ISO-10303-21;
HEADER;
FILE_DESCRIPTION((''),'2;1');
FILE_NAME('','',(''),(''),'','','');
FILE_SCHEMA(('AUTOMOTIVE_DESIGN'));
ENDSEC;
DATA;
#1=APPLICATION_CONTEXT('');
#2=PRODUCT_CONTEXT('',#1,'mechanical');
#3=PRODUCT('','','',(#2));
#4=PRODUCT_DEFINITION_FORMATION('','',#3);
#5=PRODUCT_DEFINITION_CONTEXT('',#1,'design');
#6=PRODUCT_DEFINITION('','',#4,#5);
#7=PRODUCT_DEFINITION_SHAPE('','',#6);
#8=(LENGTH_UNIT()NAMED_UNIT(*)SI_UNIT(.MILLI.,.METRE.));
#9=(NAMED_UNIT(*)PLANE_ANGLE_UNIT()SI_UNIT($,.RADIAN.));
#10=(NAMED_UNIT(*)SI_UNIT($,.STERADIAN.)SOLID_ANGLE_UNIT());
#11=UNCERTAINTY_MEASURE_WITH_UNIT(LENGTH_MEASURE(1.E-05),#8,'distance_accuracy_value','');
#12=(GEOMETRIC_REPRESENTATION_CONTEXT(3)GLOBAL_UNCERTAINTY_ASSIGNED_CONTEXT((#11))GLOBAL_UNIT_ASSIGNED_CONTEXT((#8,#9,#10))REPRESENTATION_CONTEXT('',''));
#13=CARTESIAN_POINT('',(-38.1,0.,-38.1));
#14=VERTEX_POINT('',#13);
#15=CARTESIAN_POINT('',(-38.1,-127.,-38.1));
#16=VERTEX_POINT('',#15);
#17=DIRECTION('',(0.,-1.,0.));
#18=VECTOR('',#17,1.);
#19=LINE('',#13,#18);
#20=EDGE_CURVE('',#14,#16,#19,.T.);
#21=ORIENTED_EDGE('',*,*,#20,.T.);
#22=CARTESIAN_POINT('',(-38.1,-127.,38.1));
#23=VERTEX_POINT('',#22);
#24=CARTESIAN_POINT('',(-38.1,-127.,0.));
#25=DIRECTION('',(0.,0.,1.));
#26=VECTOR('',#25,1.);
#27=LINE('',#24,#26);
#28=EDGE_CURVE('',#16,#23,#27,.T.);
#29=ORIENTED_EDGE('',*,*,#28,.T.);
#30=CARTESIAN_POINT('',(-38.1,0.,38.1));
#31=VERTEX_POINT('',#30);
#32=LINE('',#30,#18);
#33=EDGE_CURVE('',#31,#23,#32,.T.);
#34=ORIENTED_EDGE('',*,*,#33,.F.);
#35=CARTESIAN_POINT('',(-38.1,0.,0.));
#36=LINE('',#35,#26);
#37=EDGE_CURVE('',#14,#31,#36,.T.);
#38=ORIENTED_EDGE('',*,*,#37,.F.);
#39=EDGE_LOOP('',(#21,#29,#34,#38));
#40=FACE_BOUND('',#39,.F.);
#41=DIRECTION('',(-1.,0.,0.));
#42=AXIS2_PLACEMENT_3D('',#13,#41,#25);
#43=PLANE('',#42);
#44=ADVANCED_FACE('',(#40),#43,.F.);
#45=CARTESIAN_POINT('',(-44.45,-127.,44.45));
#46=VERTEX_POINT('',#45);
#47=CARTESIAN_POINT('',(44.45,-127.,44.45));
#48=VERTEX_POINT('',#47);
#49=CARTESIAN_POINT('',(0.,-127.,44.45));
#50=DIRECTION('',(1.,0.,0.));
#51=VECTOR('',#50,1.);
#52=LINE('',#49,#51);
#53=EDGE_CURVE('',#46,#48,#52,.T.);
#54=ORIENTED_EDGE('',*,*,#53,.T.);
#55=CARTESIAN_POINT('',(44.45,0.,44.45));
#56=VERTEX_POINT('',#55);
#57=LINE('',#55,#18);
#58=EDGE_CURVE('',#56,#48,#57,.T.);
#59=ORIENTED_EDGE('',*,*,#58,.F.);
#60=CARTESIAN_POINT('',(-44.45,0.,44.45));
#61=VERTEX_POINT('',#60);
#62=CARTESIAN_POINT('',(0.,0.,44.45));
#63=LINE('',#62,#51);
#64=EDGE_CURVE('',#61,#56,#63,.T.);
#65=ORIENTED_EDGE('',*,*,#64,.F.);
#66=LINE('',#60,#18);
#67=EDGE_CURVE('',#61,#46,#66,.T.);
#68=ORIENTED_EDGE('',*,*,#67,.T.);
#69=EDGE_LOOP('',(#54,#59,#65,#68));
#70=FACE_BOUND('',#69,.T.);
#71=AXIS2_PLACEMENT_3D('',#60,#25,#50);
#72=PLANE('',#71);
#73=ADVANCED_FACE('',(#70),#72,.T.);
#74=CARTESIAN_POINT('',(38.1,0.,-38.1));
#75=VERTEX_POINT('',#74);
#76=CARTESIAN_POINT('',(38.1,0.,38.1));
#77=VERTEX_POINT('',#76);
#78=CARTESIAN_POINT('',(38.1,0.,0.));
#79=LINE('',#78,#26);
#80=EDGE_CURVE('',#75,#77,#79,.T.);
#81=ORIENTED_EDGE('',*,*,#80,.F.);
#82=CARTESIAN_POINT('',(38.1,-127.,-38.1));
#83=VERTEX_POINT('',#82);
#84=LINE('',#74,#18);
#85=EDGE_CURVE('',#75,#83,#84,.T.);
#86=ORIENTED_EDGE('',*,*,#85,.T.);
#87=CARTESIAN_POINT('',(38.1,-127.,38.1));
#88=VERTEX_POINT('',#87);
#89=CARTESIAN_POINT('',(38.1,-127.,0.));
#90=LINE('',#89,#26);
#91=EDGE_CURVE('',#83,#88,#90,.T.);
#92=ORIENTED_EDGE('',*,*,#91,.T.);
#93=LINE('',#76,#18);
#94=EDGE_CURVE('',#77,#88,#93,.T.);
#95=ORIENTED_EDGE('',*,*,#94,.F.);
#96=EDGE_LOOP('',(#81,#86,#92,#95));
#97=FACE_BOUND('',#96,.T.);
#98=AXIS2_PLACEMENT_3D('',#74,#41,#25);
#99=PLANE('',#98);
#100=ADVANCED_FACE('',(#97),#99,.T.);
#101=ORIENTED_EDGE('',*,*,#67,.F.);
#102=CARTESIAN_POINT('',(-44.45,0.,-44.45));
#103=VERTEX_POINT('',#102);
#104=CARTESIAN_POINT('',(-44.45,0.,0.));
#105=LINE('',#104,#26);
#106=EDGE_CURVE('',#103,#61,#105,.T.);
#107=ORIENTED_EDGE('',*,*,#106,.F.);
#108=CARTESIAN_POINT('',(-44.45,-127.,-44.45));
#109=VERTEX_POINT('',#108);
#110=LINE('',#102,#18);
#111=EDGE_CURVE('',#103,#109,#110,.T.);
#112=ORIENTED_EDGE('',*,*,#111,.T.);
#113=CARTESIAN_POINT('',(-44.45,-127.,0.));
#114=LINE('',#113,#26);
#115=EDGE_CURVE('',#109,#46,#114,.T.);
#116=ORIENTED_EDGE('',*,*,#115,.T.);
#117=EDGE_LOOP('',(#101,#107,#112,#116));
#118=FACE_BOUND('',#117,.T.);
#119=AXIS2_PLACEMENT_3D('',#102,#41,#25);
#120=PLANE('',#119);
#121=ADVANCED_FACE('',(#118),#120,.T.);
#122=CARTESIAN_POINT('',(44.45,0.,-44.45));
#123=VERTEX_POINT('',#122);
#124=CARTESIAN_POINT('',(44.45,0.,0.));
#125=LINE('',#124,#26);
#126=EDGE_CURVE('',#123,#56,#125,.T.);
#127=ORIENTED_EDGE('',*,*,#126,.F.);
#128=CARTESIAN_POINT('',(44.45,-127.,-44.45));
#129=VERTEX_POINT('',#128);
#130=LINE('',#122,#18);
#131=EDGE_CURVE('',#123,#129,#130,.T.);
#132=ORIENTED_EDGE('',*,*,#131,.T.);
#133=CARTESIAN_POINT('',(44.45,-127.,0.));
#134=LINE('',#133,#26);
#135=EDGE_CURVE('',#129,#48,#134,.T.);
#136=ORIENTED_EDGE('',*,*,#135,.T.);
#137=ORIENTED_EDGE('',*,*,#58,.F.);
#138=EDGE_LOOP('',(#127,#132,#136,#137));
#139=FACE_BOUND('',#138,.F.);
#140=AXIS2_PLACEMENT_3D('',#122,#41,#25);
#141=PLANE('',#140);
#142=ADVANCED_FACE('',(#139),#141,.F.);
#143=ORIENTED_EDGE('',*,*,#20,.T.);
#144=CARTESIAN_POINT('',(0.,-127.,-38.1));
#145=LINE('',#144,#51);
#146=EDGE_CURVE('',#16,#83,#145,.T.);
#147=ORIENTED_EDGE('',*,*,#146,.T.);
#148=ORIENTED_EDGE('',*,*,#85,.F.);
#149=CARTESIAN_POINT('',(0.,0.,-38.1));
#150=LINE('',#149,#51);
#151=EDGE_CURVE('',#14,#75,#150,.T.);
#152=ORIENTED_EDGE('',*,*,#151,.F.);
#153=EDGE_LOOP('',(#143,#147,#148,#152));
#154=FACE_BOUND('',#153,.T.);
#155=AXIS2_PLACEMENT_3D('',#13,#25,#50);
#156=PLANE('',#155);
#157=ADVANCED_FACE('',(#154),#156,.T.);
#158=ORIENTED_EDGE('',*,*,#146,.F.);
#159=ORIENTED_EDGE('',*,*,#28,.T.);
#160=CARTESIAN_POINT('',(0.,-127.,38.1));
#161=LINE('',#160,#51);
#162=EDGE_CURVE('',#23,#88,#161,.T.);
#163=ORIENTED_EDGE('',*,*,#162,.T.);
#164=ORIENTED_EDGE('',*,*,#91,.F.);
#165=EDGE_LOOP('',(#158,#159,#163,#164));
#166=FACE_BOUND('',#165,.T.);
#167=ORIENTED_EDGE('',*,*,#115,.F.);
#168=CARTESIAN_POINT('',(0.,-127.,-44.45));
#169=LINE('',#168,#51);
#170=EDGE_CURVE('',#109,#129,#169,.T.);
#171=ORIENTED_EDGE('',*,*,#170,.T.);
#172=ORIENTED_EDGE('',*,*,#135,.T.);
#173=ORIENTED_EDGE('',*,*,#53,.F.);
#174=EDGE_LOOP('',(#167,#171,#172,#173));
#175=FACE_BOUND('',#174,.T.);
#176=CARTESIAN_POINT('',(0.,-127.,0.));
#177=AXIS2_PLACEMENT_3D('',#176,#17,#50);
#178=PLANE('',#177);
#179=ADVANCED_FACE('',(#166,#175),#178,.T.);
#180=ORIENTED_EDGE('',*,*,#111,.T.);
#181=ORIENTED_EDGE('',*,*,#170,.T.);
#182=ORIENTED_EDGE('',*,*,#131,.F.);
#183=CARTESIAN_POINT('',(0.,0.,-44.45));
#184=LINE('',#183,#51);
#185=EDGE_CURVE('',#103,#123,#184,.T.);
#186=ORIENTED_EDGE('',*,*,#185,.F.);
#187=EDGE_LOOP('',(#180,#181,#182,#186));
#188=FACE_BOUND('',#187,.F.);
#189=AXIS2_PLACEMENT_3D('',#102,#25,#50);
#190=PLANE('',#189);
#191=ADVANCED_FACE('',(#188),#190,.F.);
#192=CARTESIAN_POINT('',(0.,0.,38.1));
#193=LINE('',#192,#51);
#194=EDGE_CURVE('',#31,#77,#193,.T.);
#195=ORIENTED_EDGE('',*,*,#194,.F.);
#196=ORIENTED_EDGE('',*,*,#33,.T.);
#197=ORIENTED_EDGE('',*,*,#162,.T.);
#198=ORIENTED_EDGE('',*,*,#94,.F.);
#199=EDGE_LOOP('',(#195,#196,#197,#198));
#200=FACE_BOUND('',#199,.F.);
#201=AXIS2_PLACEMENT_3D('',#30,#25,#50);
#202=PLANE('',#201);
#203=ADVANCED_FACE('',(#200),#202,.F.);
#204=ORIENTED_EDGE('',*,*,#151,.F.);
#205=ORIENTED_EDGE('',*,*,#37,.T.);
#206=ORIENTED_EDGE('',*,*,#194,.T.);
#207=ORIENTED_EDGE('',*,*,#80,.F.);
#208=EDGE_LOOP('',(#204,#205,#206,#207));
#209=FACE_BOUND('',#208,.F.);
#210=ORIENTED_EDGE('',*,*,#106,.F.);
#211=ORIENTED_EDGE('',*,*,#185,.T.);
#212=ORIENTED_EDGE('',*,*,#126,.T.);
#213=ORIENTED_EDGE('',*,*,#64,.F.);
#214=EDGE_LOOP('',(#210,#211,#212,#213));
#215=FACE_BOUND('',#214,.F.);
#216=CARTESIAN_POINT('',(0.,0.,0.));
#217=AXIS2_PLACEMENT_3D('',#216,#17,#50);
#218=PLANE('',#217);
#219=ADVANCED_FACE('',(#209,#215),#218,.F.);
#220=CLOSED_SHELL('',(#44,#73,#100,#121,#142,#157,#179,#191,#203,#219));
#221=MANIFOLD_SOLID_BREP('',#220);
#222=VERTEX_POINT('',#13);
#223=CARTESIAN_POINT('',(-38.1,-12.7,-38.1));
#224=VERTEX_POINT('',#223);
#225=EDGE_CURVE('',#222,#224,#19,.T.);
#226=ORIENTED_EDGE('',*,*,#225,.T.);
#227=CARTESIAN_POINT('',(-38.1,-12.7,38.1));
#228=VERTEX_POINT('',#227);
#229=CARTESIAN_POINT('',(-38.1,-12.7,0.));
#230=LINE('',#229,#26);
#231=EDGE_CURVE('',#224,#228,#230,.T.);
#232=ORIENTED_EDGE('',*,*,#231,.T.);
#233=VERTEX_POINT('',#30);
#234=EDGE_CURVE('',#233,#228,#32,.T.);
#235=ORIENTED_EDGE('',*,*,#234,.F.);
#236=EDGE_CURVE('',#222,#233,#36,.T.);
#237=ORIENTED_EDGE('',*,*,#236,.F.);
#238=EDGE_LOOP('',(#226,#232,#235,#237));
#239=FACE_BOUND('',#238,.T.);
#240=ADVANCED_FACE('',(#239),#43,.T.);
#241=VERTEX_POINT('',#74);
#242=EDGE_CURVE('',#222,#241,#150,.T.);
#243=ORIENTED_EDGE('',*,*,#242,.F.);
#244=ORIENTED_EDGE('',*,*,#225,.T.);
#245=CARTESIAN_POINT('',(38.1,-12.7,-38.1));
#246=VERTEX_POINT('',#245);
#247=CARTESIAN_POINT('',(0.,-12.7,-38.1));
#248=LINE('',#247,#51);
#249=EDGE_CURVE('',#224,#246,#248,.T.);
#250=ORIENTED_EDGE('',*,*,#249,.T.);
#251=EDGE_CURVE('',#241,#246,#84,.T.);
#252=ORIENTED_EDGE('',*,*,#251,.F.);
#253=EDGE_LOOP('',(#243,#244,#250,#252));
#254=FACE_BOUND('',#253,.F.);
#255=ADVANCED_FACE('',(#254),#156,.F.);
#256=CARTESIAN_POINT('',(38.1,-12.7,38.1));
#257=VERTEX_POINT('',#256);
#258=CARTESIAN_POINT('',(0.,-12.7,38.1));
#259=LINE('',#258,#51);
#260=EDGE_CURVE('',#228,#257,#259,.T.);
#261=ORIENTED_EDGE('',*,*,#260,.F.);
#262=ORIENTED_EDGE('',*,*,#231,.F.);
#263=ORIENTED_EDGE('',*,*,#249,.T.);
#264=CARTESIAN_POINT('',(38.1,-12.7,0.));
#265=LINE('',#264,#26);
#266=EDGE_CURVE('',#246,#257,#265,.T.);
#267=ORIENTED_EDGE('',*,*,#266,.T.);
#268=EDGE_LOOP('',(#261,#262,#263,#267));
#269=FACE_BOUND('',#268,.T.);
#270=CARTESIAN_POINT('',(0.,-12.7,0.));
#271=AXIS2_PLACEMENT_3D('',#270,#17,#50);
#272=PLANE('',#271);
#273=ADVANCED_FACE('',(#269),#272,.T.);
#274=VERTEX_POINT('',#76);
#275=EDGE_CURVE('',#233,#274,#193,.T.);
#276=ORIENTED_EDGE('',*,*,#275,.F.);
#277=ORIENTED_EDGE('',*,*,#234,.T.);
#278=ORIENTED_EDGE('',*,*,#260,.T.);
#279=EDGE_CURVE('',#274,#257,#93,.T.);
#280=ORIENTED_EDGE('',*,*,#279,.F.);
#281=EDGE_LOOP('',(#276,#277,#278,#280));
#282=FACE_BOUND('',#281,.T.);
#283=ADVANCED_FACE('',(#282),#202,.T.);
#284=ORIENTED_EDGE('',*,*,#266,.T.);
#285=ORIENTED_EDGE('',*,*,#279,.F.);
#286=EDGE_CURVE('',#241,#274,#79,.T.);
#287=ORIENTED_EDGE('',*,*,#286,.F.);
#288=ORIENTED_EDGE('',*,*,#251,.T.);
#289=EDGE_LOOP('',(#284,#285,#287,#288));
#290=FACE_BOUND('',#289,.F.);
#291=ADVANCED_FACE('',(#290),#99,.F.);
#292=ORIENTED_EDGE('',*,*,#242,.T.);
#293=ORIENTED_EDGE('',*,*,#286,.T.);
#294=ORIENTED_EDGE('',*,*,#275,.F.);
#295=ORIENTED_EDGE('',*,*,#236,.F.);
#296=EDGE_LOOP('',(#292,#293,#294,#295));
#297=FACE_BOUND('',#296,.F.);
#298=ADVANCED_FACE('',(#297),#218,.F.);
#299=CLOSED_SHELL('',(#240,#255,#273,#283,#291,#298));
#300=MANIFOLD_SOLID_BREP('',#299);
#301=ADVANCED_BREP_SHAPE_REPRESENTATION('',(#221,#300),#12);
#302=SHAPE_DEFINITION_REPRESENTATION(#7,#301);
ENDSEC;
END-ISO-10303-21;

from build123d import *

# Parameters (mm, degrees)
F0_W     = 88.9
F0_H     = 88.9
F0_W_2   = 76.2
F0_H_2   = 76.2
F1_DEPTH = 127
F2_DEPTH = 12.7


with BuildPart() as f1:
    # F0 (on Front) → F1 (new body)
    with BuildSketch(Plane.XZ):
        Rectangle(F0_W, F0_H)
        Rectangle(F0_W_2, F0_H_2, mode=Mode.SUBTRACT)
    extrude(amount=F1_DEPTH)


with BuildPart() as f2:
    # F0 (on Front) → F2 (new body)
    with BuildSketch(Plane.XZ):
        Rectangle(F0_W_2, F0_H_2)
    extrude(amount=F2_DEPTH)


solid = Compound([f1.part, f2.part])
